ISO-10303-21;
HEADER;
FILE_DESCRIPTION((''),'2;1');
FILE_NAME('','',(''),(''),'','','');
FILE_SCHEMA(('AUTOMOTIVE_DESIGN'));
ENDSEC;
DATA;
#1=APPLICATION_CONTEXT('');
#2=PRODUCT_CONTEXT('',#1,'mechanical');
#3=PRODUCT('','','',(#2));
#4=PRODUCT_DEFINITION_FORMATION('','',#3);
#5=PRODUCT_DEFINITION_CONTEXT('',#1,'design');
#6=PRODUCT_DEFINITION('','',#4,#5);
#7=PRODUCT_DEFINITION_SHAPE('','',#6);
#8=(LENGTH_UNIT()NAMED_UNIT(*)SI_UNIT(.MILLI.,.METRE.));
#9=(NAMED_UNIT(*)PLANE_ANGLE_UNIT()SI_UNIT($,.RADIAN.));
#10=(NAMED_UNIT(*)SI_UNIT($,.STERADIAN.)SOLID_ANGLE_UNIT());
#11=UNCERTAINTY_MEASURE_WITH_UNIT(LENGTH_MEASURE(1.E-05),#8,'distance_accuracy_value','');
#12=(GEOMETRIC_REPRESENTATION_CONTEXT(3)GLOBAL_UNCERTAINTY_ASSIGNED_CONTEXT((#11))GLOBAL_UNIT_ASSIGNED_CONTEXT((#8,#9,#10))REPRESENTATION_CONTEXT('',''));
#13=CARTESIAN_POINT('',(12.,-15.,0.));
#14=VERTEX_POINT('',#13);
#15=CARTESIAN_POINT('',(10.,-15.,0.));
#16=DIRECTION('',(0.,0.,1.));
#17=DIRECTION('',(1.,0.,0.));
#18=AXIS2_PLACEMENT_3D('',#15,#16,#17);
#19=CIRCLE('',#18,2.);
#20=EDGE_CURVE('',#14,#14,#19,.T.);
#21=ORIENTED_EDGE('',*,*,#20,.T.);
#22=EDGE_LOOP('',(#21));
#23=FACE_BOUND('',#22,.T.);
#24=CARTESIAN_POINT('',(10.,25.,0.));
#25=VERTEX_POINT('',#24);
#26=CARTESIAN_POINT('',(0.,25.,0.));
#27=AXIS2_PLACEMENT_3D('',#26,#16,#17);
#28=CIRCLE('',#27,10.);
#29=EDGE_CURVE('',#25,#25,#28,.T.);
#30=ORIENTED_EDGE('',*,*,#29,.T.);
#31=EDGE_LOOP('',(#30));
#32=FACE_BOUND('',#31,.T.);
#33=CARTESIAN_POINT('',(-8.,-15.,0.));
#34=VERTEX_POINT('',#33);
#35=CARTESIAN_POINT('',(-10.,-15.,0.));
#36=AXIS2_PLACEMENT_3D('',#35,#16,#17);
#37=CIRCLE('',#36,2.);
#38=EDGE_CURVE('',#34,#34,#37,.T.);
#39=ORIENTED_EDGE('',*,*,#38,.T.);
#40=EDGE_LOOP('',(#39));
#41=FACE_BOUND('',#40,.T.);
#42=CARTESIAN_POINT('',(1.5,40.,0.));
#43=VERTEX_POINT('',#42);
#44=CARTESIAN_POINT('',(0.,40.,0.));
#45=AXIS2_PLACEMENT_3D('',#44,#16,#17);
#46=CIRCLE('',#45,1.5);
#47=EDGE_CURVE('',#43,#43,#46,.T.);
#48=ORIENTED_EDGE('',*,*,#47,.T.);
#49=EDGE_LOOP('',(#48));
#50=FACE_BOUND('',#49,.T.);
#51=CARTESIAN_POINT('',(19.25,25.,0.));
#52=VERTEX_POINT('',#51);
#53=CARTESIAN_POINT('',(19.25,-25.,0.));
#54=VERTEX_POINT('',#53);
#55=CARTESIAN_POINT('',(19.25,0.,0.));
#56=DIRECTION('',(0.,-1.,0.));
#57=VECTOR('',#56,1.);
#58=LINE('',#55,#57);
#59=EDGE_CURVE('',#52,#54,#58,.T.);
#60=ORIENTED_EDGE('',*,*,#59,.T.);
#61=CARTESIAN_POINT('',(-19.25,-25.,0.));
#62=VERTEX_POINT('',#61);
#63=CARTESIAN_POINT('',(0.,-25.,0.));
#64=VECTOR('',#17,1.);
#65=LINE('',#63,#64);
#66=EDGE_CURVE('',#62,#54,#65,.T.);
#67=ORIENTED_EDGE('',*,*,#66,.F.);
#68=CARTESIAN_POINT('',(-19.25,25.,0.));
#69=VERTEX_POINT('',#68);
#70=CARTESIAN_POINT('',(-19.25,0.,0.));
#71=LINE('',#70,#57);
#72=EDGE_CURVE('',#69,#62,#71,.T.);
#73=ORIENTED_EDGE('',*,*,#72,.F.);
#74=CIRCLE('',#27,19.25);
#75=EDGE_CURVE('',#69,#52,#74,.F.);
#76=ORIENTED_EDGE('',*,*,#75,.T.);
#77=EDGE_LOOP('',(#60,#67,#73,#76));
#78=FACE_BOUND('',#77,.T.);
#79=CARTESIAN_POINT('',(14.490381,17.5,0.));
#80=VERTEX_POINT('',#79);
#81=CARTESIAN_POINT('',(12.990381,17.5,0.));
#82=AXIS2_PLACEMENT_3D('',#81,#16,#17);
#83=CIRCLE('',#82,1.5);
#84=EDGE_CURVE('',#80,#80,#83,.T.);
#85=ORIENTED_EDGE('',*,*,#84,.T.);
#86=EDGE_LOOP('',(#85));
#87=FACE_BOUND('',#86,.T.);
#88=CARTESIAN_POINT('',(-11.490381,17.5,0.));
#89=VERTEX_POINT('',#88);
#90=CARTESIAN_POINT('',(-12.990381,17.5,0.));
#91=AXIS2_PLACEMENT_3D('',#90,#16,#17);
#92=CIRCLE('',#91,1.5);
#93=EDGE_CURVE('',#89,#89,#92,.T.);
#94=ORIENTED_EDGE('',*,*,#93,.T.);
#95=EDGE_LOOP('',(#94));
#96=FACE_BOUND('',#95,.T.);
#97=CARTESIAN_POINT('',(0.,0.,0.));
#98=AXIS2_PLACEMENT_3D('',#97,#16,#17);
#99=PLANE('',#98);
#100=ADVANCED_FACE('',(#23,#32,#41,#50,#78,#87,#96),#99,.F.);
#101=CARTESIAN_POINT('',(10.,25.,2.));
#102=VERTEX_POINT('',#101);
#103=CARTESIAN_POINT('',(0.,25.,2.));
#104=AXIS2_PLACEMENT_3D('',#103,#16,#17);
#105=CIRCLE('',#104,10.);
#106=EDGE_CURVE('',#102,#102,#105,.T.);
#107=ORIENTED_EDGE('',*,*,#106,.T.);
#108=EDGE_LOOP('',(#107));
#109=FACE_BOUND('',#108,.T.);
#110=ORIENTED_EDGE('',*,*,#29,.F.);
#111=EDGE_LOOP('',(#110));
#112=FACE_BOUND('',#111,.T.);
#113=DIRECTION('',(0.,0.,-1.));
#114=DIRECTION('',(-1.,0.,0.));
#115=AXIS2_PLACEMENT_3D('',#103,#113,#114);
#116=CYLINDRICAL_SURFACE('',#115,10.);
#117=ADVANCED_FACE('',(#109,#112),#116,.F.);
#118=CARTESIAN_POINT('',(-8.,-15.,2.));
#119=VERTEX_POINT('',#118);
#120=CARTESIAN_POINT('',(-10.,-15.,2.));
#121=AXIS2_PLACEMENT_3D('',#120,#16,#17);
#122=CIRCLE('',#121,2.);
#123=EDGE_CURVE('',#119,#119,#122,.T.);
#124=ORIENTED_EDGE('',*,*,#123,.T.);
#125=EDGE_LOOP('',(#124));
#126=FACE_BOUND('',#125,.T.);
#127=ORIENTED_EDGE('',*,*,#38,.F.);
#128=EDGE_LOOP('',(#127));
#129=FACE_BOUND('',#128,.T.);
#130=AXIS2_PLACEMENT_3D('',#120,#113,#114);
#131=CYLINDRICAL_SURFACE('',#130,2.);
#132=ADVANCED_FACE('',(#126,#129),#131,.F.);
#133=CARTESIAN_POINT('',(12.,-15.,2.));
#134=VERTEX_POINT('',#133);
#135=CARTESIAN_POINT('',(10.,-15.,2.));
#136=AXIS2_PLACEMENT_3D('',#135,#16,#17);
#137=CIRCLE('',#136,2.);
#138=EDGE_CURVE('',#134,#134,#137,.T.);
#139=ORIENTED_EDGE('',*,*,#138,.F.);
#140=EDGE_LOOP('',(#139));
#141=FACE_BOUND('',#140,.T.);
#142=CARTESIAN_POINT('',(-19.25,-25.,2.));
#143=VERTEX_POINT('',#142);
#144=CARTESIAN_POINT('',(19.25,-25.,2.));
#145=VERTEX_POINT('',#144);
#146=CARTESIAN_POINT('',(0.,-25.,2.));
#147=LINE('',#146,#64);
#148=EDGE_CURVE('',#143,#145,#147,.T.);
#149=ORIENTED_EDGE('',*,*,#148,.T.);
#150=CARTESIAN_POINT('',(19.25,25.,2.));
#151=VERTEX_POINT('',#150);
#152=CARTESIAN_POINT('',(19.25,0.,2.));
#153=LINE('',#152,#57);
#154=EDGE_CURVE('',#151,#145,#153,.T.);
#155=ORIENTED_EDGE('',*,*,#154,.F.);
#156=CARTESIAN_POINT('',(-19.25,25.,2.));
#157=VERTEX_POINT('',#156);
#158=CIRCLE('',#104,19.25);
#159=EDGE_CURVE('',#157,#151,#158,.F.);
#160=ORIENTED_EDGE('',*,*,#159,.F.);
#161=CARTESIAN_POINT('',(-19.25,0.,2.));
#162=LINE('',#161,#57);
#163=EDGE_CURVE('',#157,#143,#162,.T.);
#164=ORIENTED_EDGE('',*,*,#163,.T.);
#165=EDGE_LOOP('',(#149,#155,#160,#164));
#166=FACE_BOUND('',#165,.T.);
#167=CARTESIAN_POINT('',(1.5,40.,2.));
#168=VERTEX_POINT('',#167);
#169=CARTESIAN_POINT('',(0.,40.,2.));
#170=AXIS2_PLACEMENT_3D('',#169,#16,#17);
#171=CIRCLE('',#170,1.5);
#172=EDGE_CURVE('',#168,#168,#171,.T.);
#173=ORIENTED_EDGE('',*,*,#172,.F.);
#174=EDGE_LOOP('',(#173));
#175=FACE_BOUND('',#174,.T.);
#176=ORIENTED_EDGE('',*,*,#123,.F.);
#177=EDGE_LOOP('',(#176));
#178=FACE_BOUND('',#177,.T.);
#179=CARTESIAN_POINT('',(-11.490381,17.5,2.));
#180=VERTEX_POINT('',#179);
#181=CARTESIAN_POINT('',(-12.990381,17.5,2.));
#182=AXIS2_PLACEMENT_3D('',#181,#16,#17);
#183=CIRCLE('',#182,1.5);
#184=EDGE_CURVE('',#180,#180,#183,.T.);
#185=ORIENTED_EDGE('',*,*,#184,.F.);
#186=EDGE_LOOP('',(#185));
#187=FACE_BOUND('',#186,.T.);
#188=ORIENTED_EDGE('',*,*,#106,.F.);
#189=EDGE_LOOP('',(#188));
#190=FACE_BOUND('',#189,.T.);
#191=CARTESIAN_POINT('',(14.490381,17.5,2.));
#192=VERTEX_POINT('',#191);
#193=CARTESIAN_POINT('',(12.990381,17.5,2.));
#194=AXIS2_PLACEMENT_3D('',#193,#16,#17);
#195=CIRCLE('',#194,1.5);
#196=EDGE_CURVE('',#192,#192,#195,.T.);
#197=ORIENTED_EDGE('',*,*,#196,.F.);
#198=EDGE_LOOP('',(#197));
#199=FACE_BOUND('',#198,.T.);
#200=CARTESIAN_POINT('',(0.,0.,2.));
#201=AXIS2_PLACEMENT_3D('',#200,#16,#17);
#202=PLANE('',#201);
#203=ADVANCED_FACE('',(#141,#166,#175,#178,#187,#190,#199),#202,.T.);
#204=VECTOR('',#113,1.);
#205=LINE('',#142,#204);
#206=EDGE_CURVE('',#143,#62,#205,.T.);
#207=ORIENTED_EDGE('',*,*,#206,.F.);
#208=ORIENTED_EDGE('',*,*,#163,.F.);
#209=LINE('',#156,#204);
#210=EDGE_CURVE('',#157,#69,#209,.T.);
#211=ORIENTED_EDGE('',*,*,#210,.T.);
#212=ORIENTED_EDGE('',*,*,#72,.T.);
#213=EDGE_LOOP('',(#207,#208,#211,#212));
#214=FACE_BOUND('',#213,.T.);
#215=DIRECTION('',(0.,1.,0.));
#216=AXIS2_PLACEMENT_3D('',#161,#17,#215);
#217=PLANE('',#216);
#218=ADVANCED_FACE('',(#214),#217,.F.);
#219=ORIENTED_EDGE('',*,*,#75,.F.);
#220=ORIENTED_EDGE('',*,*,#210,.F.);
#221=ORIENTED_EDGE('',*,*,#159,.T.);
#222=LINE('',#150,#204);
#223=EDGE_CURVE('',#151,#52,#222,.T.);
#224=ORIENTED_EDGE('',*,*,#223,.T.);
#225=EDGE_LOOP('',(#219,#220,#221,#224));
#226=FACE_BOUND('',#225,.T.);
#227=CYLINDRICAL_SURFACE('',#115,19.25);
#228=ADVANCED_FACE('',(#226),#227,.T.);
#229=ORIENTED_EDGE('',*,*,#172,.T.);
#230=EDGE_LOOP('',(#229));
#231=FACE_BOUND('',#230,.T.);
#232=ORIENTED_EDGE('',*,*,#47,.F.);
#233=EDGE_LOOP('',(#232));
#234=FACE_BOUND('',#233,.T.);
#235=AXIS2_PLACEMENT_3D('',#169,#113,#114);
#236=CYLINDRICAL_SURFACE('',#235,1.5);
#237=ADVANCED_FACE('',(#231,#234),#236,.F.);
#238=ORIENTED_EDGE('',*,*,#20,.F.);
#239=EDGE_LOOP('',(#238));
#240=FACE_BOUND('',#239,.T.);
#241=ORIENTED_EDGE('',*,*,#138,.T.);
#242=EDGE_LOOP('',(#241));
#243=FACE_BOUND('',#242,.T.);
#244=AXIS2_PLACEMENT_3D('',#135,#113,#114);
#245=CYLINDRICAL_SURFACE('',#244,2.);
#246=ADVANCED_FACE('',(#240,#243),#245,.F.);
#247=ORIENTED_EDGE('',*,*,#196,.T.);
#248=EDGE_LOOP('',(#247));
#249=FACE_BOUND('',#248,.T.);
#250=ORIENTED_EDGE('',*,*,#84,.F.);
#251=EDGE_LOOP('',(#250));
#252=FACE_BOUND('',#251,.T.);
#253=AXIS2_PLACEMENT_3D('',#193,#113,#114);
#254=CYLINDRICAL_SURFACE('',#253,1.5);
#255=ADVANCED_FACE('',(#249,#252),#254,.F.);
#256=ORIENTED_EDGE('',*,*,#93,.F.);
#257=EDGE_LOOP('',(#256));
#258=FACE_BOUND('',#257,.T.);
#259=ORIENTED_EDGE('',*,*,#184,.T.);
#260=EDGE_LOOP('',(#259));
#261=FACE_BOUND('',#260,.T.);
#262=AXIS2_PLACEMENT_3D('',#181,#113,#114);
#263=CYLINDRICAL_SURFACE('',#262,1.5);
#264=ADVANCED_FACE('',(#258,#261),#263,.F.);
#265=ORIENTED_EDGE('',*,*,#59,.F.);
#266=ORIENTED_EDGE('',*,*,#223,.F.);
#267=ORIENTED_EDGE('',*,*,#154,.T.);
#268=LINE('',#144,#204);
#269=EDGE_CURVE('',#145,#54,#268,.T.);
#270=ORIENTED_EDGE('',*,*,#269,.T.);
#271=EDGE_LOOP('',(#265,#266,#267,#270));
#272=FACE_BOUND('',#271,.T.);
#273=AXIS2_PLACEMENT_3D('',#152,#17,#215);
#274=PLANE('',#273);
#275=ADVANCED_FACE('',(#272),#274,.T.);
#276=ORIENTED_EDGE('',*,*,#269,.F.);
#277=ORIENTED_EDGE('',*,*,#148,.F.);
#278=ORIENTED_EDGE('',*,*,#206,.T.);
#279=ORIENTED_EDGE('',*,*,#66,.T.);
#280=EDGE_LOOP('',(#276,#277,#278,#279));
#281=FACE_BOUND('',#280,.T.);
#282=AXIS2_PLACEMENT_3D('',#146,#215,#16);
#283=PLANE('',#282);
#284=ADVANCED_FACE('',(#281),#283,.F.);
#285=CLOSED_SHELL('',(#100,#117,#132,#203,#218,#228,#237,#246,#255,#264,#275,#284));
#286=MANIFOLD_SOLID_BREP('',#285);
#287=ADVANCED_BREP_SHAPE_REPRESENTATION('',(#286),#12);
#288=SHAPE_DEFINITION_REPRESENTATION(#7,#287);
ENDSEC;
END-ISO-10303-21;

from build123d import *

# Parameters (mm, degrees)
SKETCH1_R           = 1.5
SKETCH1_R_2         = 2
SKETCH1_R_3         = 10
BOSS_EXTRUDE1_DEPTH = 2


with BuildPart() as part:
    # Sketch1 → Boss-Extrude1 (new body)
    with BuildSketch(Plane.XY):
        with BuildLine():
            ThreePointArc((-19.25, 25), (0, 44.25), (19.25, 25))
            Line((19.25, 25), (19.25, -25))
            Line((19.25, -25), (-19.25, -25))
            Line((-19.25, -25), (-19.25, 25))
        make_face()
        with Locations((-12.990381057, 17.5)):
            Circle(SKETCH1_R, mode=Mode.SUBTRACT)
        with Locations((12.990381057, 17.5)):
            Circle(SKETCH1_R, mode=Mode.SUBTRACT)
        with Locations((10, -15)):
            Circle(SKETCH1_R_2, mode=Mode.SUBTRACT)
        with Locations((-10, -15)):
            Circle(SKETCH1_R_2, mode=Mode.SUBTRACT)
        with Locations((0, 40)):
            Circle(SKETCH1_R, mode=Mode.SUBTRACT)
        with Locations((0, 25)):
            Circle(SKETCH1_R_3, mode=Mode.SUBTRACT)
    extrude(amount=BOSS_EXTRUDE1_DEPTH)


solid = part.part
